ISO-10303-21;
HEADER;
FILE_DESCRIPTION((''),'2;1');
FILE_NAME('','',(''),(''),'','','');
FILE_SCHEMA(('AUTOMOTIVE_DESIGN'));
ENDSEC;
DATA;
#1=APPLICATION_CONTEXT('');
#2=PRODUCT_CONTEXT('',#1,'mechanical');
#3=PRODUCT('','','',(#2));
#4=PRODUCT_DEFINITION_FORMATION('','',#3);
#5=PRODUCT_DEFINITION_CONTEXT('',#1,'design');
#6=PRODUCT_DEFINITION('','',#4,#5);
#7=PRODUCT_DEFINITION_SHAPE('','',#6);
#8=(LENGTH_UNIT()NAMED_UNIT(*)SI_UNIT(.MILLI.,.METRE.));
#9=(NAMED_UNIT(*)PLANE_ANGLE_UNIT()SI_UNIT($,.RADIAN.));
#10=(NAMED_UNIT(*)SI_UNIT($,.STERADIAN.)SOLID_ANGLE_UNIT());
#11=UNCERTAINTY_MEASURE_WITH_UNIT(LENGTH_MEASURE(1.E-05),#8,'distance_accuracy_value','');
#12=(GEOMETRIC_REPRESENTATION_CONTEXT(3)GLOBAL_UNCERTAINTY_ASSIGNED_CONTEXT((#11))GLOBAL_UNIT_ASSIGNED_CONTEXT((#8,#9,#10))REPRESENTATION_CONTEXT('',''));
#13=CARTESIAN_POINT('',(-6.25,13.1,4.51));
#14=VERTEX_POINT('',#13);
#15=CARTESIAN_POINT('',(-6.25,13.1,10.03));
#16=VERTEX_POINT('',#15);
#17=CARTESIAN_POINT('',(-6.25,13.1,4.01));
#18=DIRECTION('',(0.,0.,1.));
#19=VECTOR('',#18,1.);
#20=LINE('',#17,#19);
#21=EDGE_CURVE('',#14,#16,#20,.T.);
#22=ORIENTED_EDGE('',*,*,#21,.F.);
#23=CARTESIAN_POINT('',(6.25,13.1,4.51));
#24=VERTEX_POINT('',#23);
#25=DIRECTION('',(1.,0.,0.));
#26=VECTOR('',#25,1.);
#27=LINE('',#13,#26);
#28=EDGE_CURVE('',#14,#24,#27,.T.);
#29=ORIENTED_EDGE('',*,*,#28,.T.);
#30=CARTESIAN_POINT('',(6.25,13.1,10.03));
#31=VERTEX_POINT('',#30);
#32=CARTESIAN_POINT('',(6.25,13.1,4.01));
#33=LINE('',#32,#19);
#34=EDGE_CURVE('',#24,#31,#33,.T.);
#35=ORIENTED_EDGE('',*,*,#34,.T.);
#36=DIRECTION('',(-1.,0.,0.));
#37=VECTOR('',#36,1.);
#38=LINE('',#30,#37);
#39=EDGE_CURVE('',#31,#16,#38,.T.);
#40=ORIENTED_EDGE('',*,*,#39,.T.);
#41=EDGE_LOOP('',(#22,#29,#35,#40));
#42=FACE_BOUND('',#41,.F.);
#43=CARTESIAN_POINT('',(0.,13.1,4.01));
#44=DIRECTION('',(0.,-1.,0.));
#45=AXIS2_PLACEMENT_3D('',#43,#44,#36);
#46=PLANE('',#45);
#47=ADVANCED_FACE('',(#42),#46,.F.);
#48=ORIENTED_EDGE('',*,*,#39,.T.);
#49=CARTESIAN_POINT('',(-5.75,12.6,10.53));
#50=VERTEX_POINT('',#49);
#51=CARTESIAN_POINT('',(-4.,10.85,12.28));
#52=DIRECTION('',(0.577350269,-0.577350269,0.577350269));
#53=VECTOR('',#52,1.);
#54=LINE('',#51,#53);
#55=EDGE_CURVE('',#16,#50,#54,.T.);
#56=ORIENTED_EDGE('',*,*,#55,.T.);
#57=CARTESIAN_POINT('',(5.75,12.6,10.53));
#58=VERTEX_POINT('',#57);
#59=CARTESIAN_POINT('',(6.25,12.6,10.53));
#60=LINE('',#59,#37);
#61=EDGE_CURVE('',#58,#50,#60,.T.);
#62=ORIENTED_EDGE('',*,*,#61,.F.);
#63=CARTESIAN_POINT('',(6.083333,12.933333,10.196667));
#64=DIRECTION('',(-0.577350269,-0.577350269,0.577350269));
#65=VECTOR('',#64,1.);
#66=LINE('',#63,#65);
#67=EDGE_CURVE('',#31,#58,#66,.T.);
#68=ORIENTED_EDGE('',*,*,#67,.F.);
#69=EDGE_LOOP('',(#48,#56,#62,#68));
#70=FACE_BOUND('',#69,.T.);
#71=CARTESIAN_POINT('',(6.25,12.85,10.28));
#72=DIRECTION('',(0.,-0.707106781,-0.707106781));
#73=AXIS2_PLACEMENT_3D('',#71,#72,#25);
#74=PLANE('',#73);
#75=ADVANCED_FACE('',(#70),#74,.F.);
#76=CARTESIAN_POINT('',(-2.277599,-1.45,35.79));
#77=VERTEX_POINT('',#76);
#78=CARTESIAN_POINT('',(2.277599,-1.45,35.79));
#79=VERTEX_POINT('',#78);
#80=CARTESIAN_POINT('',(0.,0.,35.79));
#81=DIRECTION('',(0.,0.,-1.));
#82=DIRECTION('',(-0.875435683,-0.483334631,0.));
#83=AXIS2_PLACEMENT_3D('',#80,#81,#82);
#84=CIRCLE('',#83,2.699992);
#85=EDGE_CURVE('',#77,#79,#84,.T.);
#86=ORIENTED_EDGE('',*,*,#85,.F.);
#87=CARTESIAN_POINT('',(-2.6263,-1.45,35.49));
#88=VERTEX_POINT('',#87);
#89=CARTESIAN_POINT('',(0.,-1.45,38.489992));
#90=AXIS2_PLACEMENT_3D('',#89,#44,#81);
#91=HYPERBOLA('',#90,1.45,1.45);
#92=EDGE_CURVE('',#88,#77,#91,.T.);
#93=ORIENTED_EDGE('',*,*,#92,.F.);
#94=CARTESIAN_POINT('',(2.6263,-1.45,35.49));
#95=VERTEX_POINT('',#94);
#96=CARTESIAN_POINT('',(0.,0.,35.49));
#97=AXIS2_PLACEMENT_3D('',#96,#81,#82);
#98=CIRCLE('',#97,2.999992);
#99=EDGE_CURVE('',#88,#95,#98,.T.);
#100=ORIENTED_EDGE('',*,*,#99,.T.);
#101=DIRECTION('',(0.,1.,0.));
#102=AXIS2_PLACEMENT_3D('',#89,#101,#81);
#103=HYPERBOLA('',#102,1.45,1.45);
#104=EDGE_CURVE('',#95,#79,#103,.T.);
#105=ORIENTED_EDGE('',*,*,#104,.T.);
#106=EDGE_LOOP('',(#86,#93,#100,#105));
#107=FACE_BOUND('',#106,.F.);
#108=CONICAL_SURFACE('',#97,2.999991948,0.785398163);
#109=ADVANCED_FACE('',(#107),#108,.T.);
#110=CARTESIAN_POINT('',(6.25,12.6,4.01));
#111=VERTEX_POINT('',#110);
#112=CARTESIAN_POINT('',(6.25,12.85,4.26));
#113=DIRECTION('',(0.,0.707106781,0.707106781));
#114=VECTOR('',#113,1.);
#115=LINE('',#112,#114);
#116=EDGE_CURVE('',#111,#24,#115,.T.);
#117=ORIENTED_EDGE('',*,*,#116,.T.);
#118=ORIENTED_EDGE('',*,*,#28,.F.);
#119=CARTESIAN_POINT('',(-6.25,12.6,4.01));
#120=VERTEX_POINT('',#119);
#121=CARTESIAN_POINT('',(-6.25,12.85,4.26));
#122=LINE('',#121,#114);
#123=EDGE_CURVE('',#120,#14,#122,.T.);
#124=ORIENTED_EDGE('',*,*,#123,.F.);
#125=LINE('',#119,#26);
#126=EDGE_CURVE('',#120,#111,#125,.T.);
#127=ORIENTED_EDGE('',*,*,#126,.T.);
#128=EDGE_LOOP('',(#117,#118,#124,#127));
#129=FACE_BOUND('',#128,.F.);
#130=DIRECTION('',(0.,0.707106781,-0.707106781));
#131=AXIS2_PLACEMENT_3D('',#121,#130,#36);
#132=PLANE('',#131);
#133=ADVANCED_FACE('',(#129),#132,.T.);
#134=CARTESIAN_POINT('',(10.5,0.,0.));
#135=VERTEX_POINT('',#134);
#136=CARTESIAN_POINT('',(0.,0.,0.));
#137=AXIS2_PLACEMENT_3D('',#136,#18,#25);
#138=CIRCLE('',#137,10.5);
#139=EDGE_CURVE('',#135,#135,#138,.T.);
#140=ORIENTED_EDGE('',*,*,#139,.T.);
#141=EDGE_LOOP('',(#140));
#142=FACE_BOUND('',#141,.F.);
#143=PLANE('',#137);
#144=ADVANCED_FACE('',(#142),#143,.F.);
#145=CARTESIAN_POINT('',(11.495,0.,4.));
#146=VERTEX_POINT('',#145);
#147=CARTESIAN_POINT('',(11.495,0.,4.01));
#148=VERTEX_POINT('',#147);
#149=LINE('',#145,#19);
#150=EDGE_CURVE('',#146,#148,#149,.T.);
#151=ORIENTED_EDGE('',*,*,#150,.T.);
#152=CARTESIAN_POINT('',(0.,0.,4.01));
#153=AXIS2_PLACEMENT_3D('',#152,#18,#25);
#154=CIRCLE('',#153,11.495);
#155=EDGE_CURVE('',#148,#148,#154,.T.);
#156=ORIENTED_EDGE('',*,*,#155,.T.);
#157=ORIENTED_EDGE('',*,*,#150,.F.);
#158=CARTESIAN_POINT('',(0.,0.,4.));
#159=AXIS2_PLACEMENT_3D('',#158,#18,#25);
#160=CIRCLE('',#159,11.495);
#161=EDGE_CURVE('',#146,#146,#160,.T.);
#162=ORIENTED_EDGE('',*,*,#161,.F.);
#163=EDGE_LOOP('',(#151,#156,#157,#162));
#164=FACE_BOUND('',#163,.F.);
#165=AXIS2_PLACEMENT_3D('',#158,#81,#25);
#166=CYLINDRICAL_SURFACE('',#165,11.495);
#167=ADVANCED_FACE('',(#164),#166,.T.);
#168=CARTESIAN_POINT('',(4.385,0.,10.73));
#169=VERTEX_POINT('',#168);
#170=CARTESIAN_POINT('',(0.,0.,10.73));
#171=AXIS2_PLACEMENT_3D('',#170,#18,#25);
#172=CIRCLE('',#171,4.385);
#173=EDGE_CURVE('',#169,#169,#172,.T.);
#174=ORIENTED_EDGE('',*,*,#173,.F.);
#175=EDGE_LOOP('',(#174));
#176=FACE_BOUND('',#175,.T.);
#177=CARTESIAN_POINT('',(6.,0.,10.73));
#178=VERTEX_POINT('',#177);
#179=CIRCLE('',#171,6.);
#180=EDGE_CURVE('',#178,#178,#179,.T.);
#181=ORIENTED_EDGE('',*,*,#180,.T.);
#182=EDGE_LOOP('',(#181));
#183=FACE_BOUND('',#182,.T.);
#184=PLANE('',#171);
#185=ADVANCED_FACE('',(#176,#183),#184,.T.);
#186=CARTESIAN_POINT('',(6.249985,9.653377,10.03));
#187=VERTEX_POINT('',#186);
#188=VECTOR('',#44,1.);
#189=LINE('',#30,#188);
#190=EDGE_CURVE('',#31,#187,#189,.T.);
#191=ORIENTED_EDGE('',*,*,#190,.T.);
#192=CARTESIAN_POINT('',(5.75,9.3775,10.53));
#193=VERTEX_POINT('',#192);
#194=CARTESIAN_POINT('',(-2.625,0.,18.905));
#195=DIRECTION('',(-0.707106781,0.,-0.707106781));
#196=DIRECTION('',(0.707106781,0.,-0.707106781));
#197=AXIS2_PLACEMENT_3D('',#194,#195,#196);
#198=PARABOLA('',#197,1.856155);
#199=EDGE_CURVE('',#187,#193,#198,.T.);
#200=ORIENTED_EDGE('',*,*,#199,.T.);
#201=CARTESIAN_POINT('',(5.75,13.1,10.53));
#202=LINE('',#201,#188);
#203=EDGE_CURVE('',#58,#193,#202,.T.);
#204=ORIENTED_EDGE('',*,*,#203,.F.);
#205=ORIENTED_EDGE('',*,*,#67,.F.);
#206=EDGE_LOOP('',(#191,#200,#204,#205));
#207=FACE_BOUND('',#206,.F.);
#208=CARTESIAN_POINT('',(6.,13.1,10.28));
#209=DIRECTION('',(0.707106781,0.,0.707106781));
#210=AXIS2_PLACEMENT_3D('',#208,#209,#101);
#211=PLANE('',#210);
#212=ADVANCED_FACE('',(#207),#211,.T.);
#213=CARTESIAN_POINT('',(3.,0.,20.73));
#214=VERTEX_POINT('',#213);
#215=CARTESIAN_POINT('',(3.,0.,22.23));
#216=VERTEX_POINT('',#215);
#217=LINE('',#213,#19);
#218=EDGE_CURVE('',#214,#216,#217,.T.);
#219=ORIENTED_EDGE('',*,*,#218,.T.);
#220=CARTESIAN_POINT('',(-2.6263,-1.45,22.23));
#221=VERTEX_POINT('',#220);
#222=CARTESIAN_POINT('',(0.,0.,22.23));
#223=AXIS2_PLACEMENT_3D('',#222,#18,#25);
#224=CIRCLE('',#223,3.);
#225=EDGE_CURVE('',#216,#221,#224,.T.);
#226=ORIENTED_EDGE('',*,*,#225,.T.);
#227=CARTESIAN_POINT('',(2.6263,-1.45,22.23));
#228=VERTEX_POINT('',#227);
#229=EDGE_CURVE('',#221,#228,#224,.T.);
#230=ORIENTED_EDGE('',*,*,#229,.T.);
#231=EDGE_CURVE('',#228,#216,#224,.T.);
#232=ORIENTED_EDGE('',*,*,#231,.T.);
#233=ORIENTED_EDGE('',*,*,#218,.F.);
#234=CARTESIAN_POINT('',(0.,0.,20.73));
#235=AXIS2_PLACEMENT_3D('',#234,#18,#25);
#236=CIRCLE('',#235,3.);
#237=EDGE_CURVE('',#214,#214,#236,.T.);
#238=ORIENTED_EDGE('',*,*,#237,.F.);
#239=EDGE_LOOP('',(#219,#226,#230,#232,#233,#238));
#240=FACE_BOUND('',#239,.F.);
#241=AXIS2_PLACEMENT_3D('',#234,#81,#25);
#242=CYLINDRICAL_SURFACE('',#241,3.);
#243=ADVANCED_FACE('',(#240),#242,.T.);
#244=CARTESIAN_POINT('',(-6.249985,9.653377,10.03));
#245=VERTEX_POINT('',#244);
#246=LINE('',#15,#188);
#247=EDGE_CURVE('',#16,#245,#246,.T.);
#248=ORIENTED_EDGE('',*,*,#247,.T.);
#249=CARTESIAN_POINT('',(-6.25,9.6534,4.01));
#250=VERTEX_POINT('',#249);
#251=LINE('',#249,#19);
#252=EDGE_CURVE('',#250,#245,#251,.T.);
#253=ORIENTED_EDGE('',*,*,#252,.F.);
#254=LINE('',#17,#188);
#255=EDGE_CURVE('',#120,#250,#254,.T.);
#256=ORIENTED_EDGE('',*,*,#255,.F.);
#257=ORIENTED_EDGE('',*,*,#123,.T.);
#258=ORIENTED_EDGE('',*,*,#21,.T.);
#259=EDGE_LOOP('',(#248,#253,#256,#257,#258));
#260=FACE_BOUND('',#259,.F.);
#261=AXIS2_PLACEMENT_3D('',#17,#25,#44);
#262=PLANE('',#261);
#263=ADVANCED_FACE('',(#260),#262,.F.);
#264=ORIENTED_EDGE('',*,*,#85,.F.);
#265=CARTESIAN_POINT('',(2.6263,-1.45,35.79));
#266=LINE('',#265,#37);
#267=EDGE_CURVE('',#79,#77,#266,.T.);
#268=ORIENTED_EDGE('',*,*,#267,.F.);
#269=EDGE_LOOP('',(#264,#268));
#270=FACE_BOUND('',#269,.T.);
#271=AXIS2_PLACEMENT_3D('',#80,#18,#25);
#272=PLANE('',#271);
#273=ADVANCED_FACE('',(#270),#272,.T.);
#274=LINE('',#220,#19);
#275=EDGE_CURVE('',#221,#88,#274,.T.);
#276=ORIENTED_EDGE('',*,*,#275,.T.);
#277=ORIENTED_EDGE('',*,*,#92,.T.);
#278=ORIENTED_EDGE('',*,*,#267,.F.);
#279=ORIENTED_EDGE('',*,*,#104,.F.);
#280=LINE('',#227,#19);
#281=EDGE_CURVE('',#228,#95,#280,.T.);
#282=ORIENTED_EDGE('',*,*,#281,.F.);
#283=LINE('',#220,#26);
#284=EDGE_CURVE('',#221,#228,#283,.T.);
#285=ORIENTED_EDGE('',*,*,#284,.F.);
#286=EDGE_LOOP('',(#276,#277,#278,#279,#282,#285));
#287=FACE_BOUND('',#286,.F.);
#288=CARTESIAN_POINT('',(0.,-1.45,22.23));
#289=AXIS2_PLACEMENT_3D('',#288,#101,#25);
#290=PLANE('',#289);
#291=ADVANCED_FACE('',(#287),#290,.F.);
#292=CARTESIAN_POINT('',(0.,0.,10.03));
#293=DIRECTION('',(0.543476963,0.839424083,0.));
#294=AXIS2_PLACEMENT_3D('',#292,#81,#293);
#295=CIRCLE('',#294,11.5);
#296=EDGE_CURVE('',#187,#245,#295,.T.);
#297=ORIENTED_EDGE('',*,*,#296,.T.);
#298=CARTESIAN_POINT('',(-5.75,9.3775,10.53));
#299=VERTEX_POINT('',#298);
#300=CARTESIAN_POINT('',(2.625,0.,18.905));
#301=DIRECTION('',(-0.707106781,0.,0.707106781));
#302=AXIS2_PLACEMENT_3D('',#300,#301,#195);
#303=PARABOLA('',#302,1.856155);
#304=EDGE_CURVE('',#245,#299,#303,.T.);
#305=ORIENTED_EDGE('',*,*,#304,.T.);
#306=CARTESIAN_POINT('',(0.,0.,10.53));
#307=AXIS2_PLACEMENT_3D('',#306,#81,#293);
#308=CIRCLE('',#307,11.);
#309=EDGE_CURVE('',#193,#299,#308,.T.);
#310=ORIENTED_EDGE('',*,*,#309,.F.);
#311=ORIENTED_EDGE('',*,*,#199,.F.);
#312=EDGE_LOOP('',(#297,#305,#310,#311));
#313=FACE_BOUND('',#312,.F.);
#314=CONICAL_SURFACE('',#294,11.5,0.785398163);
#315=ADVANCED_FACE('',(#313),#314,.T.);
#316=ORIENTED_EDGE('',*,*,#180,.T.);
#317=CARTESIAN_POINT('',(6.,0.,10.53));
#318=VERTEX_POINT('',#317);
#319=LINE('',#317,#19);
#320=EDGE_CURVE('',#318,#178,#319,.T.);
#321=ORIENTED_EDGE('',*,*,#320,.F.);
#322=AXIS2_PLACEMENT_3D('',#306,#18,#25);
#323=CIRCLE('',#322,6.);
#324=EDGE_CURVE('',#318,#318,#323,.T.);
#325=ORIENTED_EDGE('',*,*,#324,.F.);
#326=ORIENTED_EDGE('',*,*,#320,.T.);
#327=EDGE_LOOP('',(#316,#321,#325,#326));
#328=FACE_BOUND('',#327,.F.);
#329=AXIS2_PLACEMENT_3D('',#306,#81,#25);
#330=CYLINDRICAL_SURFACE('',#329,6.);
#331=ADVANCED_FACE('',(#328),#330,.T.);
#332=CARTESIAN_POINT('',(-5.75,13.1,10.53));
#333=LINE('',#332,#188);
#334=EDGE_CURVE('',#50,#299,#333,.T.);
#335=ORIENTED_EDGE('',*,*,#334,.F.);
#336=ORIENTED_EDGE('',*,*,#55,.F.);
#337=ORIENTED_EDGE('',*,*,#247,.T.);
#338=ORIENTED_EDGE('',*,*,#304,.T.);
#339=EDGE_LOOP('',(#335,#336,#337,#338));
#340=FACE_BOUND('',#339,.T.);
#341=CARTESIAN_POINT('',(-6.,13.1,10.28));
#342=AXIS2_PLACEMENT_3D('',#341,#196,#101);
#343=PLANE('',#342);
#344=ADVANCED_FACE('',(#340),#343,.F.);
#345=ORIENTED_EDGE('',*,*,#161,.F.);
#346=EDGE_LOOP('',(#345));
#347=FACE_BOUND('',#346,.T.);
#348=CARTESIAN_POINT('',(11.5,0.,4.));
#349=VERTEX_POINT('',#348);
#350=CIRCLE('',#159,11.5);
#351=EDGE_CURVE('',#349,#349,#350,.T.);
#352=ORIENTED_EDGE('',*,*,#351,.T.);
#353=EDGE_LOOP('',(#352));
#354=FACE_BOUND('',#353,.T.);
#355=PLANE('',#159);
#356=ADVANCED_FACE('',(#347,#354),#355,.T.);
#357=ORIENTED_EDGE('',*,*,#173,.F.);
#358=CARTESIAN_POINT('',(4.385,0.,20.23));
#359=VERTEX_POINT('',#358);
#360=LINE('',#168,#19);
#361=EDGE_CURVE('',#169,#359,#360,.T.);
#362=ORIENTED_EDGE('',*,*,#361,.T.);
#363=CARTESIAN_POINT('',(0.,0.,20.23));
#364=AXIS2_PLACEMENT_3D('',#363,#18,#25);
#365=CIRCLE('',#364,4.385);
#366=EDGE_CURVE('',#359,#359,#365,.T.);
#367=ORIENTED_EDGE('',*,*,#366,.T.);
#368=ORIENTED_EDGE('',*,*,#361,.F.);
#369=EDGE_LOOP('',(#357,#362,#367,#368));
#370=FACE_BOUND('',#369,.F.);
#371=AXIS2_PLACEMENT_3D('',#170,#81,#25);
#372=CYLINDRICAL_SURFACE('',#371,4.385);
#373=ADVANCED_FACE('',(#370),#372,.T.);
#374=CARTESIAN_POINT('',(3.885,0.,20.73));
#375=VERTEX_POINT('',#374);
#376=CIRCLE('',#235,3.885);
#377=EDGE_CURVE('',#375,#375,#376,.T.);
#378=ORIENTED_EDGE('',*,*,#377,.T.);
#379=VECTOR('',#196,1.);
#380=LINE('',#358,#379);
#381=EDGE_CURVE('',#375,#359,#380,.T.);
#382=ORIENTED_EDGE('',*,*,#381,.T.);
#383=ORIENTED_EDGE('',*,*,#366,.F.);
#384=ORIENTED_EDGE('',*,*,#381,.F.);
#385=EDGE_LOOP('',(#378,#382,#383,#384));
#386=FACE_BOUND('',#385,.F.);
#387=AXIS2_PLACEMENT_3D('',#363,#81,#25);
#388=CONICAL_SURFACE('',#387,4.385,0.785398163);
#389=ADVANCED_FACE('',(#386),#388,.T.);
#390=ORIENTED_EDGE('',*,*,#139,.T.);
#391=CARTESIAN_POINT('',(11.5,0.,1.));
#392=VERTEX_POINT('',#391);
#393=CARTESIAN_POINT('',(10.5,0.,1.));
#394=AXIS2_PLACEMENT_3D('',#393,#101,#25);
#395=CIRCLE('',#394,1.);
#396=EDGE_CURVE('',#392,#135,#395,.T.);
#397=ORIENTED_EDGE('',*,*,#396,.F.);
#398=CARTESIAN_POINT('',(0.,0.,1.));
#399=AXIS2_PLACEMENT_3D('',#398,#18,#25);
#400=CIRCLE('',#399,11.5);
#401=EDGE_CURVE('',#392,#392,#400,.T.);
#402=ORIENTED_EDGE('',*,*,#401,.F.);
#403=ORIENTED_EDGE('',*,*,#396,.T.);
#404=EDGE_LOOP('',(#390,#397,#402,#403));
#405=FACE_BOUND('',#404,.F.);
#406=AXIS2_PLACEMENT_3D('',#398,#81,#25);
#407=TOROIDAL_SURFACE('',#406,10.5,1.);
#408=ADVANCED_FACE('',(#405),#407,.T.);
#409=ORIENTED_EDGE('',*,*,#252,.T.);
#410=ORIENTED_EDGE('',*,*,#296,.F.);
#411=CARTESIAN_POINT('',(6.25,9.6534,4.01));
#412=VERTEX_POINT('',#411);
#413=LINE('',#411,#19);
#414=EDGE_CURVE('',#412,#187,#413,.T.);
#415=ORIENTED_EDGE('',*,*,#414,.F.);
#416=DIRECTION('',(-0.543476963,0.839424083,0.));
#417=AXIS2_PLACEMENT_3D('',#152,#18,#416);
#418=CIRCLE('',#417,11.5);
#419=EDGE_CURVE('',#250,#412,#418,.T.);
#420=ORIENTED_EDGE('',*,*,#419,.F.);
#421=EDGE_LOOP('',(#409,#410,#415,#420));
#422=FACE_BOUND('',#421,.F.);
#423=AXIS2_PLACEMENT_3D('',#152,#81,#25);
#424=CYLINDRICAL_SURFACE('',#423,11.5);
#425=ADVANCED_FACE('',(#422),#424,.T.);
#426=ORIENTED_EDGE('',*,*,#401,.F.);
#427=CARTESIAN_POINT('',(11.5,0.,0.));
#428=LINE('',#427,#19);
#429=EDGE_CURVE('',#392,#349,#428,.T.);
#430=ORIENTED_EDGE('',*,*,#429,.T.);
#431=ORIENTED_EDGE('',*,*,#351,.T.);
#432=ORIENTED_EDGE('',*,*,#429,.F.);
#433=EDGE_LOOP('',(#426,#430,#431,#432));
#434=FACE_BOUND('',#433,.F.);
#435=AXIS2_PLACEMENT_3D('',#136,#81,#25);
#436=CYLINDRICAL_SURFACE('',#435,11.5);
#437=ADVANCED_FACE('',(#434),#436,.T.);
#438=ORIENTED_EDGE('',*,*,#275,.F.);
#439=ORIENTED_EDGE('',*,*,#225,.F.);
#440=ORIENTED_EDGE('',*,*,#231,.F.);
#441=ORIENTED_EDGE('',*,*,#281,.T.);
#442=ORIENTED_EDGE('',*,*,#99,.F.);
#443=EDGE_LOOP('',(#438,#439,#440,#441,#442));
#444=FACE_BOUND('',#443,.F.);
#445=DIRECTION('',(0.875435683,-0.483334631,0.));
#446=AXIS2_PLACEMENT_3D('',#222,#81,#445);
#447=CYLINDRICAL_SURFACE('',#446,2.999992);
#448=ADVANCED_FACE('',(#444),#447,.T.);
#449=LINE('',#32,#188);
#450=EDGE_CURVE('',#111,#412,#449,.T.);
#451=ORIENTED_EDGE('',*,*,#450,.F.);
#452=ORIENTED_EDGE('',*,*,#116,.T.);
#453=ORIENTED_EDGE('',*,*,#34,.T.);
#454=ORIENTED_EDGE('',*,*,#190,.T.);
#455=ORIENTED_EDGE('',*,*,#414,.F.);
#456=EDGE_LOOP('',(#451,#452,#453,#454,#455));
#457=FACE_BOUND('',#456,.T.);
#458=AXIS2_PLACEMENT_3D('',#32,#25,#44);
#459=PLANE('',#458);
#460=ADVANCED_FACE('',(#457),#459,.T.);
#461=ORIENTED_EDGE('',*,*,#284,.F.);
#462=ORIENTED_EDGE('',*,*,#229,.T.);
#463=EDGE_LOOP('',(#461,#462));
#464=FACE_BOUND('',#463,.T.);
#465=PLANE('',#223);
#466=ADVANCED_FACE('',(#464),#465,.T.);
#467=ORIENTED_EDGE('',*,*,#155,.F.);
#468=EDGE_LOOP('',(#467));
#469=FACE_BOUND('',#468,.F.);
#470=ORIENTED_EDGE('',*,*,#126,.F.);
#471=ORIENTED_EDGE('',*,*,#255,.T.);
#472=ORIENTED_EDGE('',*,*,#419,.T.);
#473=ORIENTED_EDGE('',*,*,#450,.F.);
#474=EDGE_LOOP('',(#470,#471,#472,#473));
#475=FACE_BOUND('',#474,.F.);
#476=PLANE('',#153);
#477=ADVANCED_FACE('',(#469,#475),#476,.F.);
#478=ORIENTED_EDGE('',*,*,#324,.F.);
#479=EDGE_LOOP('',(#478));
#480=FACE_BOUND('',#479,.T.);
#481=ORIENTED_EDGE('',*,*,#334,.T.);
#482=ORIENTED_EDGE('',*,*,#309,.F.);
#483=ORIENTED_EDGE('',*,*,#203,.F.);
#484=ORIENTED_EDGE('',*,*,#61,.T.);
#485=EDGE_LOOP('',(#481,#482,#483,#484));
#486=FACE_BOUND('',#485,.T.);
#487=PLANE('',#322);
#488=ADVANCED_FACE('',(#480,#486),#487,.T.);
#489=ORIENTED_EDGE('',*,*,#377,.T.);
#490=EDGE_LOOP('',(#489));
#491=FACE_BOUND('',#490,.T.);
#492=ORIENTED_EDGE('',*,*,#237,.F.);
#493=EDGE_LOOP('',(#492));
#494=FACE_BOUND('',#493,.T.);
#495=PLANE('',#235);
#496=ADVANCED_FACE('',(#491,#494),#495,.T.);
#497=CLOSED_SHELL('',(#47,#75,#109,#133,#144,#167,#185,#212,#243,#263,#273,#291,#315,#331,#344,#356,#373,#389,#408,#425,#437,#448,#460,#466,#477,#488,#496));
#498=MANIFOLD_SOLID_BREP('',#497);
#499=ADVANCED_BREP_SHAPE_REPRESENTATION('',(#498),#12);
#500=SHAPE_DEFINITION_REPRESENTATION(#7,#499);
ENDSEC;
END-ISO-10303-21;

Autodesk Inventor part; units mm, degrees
ref_plane "YZ Plane" through (0, 0, 0) normal (1, 0, 0) x (0, 1, 0)
ref_plane "XZ Plane" through (0, 0, 0) normal (0, 1, 0) x (-1, 0, 0)
ref_plane "XY Plane" through (0, 0, 0) normal (0, 0, 1) x (1, 0, 0)
sketch "Boceto1" plane through (0, 0, 0) normal (0, 0, 1) x (1, 0, 0)
  circle A0 centre (0, 0) radius 11.5
  dimension "d0" = 23
extrude "Extrusión1" add sketch "Boceto1" along normal blind 4
sketch "Boceto2" plane through (0, 0, 4) normal (0, 0, 1) x (1, 0, 0)
  circle A0 centre (0, 0) radius 11.495
  dimension "d3" = 22.99
extrude "Extrusión2" add sketch "Boceto2" along normal blind 0.01
sketch "Boceto3" plane through (0, 0, 4.01) normal (0, 0, 1) x (1, 0, 0)
  circle A0 centre (0, 0) radius 11.5
  line L0 (0, 0) -> (0, 11.5)
  line L1 (0, 13.1) -> (-6.25, 13.1)
  line L2 (-6.25, 13.1) -> (-6.25, 9.6534)
  line L3 (0, 13.1) -> (6.25, 13.1)
  line L4 (6.25, 13.1) -> (6.25, 9.6534)
  dimension "d6" = 23
  dimension "d22" = 13.1
  dimension "d23" = 6.25
  dimension "d24" = 6.25
extrude "Extrusión3" add sketch "Boceto3" along normal blind 6.52
sketch "Boceto4" plane through (0, 0, 10.53) normal (0, 0, 1) x (1, 0, 0)
  circle A0 centre (0, 0) radius 6
  dimension "d9" = 12
extrude "Extrusión4" add sketch "Boceto4" along normal blind 0.2
sketch "Boceto5" plane through (0, 0, 10.73) normal (0, 0, 1) x (1, 0, 0)
  circle A0 centre (0, 0) radius 4.385
  dimension "d12" = 8.77
extrude "Extrusión5" add sketch "Boceto5" along normal blind 10
sketch "Boceto6" plane through (0, 0, 20.73) normal (0, 0, 1) x (1, 0, 0)
  circle A0 centre (0, 0) radius 3
  dimension "d15" = 6
extrude "Extrusión6" add sketch "Boceto6" along normal blind 1.5
sketch "Boceto7" plane through (0, 0, 22.23) normal (0, 0, 1) x (1, 0, 0)
  arc A0 (2.6263, -1.45) -> (-2.6263, -1.45) centre (0, 0) ccw
  circle A1 centre (0, 0) radius 3 projected
  line L0 (0, 0) -> (0, -1.45)
  line L1 (0, -1.45) -> (2.6263, -1.45)
  line L2 (0, -1.45) -> (-2.6263, -1.45)
  dimension "d19" = 1.45
extrude "Extrusión7" add sketch "Boceto7" along normal blind 13.56 contours L1 L2 A0
thread "Rosca1" size "M6x1" class "6g" standard "ANSI Metric M Profile" full length
fillet "Empalme1" radius 1 1 edges at (-11.5, 0, 0)
chamfer "Chaflán1" distance 0.5 angle 45 5 edges at (0, 13.1, 4.01) (0, 13.1, 10.53) (0, -11.5, 10.53) (-6.25, 11.3767, 10.53) (6.25, 11.3767, 10.53)
chamfer "Chaflán2" distance 0.3 angle 45 1 edges at (0, 3, 35.79)
chamfer "Chaflán3" distance 0.5 angle 45 1 edges at (-4.385, 0, 20.73)
properties part number "potenciometro" material "Acero inoxidable"
